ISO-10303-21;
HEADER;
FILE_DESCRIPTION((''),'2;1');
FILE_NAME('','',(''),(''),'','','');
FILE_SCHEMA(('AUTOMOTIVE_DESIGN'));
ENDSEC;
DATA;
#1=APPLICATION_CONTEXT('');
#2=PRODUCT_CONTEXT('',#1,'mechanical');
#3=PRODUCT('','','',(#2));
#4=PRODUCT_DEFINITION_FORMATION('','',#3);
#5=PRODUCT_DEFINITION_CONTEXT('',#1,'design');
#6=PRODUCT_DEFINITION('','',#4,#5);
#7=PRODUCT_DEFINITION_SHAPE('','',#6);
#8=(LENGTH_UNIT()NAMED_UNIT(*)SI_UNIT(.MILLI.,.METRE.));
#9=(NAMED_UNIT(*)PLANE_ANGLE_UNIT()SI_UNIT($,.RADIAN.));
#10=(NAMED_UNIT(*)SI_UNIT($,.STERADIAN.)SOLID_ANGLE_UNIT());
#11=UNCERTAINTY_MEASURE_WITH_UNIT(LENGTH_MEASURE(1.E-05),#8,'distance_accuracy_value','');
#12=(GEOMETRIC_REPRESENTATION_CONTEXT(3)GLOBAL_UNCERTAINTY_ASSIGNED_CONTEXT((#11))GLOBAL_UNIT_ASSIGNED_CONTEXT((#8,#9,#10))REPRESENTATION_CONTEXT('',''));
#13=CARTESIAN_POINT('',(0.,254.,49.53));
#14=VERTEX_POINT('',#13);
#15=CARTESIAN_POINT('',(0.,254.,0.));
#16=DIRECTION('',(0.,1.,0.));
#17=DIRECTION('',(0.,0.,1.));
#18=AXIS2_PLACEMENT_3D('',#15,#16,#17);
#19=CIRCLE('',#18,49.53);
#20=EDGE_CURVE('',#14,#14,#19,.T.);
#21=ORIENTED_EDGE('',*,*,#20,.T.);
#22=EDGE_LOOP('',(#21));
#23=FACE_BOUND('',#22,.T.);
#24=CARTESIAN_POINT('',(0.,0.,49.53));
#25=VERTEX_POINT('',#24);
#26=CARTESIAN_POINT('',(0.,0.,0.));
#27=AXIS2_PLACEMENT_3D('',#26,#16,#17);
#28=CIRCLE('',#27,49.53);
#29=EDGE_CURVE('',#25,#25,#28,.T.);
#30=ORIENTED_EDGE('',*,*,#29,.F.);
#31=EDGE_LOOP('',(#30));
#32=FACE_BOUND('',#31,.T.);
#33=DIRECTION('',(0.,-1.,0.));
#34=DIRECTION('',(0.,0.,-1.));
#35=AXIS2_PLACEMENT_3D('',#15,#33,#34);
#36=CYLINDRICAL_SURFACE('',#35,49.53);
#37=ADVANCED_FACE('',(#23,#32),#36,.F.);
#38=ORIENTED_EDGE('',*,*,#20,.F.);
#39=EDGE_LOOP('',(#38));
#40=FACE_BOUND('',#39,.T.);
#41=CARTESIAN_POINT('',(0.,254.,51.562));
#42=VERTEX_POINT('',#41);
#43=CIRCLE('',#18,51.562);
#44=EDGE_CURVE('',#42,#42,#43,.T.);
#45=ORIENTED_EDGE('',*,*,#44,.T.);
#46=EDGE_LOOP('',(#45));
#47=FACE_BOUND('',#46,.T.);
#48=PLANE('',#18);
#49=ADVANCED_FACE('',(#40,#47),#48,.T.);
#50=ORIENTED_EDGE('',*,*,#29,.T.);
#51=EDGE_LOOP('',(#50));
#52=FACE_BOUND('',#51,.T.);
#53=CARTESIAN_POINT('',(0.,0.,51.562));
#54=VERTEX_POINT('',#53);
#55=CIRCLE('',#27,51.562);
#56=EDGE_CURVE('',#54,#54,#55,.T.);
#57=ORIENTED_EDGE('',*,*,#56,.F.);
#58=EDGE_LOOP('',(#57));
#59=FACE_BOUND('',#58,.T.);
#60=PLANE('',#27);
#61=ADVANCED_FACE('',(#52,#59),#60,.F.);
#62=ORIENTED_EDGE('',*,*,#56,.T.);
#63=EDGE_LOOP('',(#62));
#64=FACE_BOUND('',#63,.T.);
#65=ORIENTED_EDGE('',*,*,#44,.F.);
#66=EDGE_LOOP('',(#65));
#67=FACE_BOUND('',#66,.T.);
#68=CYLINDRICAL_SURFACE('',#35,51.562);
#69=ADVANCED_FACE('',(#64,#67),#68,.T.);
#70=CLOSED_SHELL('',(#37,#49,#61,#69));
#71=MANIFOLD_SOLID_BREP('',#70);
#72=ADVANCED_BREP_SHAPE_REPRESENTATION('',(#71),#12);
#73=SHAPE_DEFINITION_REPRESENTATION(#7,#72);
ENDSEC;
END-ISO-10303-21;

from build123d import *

# Parameters (mm, degrees)
SKETCH1_R           = 51.562
SKETCH1_R_2         = 49.53
BOSS_EXTRUDE1_DEPTH = 254


with BuildPart() as part:
    # Sketch1 → Boss-Extrude1 (new body)
    with BuildSketch(Plane(origin=(0, 0, 0), x_dir=(1, 0, 0), z_dir=(0, 1, 0))):
        with Locations(Location((0, 0, 0), (0, 0, 270))):
            Circle(SKETCH1_R)
        with Locations(Location((0, 0, 0), (0, 0, 270))):
            Circle(SKETCH1_R_2, mode=Mode.SUBTRACT)
    extrude(amount=BOSS_EXTRUDE1_DEPTH)


solid = part.part
